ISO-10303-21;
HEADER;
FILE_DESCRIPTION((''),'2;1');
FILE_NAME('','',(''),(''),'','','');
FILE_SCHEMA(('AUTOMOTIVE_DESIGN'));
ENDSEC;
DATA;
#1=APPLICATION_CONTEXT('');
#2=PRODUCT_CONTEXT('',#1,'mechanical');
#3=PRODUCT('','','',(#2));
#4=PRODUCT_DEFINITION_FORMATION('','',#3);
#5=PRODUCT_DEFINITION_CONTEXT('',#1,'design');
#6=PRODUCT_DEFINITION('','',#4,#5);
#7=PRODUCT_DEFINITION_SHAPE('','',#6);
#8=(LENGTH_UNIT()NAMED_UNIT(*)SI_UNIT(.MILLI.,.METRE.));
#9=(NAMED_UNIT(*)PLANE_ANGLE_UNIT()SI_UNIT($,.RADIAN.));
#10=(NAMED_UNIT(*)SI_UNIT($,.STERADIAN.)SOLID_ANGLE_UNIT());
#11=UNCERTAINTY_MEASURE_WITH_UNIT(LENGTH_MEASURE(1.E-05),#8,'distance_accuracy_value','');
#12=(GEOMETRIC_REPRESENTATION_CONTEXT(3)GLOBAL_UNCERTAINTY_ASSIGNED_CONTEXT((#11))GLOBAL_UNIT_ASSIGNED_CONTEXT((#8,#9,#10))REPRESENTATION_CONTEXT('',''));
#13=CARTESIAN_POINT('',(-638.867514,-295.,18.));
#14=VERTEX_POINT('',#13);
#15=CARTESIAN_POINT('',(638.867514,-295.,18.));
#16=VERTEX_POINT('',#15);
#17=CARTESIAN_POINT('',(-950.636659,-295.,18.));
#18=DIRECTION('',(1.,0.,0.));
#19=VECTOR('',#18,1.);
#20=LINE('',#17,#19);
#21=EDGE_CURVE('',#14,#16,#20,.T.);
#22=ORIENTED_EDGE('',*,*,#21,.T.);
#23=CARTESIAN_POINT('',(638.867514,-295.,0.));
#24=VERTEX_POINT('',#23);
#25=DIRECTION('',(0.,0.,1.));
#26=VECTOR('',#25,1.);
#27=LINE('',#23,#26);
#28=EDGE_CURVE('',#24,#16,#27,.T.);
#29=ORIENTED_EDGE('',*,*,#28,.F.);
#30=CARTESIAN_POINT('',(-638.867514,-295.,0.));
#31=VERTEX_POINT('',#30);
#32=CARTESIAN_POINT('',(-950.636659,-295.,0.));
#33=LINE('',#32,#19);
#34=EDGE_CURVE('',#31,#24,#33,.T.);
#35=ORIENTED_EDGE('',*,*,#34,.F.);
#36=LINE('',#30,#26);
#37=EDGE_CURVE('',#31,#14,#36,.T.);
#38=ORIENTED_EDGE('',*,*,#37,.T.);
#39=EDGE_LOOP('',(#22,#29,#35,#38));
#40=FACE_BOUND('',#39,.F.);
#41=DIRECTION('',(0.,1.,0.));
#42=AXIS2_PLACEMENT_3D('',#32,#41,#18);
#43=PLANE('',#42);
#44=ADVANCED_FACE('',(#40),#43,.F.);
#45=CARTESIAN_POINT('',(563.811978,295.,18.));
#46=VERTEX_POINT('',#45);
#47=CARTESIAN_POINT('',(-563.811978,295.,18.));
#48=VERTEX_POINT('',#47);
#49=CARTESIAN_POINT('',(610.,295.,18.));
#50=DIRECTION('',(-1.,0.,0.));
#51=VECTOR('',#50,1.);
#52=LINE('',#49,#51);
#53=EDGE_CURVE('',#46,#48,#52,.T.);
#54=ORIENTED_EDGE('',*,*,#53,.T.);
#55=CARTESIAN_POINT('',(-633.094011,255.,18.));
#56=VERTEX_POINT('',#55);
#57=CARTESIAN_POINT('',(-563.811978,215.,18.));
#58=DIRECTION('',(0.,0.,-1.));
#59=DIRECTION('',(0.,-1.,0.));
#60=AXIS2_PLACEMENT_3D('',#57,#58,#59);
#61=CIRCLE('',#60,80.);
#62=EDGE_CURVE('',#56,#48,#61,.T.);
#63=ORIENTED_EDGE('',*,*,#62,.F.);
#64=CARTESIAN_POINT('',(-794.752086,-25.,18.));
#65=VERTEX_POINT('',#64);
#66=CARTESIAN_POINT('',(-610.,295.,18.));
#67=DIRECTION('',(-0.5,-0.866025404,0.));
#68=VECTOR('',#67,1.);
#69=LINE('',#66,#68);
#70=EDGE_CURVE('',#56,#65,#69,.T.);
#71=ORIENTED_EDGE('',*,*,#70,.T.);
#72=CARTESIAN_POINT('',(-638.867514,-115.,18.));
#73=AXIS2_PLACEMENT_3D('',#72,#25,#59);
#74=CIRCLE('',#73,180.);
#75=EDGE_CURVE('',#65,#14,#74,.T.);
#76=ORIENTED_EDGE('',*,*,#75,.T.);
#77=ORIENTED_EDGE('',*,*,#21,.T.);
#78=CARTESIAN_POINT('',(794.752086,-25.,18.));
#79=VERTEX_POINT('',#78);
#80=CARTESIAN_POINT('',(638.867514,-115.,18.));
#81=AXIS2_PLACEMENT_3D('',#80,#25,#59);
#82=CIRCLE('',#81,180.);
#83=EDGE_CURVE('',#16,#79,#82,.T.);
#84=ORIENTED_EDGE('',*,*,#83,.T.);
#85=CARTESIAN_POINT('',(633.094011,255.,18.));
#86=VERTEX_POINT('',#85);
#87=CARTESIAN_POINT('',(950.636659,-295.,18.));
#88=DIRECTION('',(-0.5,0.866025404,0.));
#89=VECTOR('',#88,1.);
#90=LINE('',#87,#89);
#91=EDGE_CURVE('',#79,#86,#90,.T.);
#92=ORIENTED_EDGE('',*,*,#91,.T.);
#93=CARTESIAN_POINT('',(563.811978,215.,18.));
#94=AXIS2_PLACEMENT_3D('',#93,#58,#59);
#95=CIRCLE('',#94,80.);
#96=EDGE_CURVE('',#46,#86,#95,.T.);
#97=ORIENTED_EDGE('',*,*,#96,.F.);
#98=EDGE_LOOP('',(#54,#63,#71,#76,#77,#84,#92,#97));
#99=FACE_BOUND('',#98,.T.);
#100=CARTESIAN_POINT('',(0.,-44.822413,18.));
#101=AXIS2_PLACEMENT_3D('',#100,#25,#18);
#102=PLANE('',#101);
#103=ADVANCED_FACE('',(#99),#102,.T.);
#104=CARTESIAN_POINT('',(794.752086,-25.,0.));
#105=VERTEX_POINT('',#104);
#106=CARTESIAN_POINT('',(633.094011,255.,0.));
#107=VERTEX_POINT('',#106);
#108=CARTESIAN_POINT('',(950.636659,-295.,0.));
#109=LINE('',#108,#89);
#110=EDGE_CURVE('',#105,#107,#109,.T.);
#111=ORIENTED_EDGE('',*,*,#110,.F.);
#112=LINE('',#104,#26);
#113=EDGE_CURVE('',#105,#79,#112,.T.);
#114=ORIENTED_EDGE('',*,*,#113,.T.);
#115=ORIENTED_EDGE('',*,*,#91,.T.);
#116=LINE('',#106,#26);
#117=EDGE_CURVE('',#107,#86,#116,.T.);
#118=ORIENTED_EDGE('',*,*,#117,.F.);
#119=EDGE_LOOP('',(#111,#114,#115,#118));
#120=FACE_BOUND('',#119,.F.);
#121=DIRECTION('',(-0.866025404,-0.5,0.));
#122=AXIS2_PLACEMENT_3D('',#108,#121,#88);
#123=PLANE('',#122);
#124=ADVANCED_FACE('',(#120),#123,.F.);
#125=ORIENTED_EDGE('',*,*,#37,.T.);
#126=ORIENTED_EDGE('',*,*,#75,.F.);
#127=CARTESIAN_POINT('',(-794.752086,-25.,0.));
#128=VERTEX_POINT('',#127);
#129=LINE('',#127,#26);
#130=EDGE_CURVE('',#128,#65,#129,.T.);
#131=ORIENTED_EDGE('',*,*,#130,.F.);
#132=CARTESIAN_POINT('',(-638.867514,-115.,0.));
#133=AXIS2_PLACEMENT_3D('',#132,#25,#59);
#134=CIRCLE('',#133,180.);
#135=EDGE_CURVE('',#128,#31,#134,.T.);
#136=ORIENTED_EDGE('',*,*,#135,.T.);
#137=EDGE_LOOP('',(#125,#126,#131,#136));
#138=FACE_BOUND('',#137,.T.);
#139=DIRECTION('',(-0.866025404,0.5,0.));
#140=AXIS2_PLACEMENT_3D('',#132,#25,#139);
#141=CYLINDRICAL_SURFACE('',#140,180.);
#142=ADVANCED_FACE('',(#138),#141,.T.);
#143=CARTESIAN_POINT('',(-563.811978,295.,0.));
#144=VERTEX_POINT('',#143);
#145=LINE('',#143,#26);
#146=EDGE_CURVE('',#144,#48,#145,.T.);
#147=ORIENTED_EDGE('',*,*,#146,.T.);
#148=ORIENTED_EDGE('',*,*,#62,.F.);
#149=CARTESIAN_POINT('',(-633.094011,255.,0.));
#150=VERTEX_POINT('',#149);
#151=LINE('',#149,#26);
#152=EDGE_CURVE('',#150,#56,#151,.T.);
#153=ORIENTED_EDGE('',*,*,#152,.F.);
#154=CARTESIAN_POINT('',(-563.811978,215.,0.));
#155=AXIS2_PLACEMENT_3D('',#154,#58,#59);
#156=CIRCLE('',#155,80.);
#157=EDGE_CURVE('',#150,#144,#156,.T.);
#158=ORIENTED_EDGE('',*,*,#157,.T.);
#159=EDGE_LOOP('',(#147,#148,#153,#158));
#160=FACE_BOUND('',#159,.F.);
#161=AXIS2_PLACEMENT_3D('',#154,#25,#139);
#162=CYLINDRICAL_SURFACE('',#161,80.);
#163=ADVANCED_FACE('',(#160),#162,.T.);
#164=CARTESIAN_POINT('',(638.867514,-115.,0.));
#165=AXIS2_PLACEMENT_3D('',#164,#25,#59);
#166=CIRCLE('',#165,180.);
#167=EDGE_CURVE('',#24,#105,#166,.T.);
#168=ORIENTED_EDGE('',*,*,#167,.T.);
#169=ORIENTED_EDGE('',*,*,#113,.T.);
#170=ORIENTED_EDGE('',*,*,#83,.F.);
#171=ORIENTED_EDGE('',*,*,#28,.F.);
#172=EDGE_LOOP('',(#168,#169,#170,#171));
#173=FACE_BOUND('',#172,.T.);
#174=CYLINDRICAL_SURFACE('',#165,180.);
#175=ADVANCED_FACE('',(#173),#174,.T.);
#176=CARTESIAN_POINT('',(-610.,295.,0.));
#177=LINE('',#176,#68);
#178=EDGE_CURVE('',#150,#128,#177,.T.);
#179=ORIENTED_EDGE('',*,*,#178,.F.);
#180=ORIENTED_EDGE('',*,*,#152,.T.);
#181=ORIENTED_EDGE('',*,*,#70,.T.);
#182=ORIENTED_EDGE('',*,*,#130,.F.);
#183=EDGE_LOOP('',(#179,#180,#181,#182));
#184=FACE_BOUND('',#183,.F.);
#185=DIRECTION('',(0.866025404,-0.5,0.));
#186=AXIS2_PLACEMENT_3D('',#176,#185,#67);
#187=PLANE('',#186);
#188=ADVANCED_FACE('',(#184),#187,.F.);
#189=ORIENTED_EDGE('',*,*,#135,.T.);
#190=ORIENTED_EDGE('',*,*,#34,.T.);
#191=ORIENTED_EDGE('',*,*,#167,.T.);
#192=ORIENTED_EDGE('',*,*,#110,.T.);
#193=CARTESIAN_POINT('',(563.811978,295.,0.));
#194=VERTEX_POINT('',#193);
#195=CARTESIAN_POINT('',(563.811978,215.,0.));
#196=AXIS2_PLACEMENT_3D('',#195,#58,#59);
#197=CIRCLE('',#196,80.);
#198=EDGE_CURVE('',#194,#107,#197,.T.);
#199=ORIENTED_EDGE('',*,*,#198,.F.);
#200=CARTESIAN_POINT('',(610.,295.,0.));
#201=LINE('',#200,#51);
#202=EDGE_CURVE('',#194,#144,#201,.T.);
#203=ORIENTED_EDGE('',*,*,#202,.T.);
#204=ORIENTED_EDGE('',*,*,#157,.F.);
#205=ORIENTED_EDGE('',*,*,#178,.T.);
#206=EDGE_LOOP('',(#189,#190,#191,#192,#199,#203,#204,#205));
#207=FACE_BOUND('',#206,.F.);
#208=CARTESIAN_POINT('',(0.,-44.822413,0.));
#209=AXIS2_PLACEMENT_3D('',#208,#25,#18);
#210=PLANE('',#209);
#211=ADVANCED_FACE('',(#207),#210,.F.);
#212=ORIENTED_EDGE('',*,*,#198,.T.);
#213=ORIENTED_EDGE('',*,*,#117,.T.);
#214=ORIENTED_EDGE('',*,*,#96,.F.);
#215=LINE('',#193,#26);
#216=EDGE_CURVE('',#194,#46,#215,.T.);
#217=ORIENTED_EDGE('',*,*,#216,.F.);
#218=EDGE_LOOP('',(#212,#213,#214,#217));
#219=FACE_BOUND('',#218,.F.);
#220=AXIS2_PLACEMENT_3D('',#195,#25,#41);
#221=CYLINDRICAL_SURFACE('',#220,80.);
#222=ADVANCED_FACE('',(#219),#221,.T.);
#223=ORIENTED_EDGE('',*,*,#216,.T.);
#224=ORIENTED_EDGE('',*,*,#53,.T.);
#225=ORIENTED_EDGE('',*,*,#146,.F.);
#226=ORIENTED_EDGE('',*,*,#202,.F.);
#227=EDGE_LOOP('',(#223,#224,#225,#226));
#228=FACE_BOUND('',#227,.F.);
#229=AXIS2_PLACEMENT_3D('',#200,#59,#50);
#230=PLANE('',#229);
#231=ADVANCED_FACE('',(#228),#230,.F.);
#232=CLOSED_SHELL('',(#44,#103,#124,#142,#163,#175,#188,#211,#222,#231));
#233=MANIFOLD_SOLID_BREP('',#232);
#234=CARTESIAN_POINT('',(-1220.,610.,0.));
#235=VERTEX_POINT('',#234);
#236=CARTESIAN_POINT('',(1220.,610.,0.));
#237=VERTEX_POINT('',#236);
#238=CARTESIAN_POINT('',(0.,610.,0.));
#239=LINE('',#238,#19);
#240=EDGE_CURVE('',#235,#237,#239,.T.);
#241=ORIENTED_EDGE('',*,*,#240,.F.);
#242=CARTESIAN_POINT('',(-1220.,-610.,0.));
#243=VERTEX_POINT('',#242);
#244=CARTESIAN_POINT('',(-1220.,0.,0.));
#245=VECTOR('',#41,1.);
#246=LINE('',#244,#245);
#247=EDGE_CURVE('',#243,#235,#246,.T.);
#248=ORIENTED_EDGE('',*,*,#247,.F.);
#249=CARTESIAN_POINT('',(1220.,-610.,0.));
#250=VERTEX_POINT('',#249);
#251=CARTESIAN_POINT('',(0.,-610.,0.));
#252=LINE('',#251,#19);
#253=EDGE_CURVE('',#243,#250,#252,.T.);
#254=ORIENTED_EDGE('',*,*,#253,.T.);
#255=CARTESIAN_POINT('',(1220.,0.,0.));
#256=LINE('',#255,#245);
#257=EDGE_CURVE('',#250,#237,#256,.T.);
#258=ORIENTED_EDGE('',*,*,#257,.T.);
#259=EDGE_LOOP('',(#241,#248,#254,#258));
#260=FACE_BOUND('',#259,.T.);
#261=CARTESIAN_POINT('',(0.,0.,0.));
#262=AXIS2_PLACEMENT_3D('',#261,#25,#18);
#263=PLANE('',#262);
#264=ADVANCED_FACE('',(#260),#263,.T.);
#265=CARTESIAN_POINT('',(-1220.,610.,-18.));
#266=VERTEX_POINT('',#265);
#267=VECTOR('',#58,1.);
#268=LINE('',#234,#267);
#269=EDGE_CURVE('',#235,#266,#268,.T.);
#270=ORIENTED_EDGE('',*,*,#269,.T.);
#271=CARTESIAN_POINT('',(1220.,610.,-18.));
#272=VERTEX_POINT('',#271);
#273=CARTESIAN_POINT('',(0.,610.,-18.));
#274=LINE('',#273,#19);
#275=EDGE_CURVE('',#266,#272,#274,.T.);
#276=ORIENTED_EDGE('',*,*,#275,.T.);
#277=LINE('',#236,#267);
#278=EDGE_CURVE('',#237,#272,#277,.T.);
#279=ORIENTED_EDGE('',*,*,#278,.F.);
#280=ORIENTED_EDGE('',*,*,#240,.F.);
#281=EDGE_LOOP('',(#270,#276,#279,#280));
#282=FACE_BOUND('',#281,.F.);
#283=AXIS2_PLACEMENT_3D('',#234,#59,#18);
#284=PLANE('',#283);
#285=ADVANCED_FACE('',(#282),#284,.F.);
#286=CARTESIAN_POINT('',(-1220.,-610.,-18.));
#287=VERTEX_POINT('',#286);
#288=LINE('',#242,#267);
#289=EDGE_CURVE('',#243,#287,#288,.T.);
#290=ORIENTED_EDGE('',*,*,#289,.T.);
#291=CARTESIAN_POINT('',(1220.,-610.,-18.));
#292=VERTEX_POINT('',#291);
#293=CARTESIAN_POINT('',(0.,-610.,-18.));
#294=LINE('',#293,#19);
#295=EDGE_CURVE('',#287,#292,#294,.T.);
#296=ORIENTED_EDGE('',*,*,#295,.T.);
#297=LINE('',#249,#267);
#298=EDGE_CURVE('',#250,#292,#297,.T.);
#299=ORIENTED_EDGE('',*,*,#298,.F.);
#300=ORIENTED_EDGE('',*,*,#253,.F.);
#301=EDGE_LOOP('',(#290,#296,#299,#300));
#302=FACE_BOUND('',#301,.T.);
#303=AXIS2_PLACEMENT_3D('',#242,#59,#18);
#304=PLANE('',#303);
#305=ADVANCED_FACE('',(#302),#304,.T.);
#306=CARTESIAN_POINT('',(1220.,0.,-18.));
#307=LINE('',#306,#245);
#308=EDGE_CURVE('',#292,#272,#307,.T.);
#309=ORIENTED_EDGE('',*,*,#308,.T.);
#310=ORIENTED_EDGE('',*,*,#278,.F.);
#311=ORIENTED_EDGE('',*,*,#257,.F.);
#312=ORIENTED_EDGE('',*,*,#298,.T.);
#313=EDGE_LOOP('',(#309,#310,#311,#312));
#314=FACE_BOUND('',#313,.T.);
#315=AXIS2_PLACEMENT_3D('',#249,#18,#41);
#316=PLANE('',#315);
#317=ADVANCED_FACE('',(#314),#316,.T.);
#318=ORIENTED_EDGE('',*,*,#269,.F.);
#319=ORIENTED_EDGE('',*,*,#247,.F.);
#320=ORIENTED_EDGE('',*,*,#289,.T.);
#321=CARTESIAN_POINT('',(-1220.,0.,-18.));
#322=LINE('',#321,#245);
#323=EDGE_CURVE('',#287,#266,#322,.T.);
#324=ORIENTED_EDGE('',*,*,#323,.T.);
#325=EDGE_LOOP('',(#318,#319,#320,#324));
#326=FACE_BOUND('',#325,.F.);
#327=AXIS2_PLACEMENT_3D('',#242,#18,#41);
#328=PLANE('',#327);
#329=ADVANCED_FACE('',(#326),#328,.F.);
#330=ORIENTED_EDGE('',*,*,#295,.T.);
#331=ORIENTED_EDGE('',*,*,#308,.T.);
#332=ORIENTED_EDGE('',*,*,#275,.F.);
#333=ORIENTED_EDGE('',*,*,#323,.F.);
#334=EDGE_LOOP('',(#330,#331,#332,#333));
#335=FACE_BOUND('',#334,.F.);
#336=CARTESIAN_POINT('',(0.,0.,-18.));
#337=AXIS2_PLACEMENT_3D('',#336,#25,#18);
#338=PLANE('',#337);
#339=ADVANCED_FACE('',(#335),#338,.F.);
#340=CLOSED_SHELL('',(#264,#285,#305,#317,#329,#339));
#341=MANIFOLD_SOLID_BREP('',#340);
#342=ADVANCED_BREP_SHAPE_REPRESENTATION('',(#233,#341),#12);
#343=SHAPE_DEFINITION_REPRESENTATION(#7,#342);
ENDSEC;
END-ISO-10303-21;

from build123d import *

# Parameters (mm, degrees)
F1_DEPTH = 18
F2_W     = 2440
F2_H     = 1220
F3_DEPTH = 18
F4_R     = 180
F5_R     = 80


with BuildPart() as f1:
    # F0 (on Top) → F1 (new body)
    with BuildSketch(Plane.XY):
        Polygon((610, 295), (-610, 295), (-950.636659, -295), (950.636659, -295), align=None)
    extrude(amount=F1_DEPTH)

    # F4
    f4_edges = [f1.edges().sort_by_distance(p)[0] for p in [
        (-950.636659, -295, 9),
        (950.636659, -295, 9),
    ]]
    fillet(f4_edges, radius=F4_R)

    # F5
    f5_edges = [f1.edges().sort_by_distance(p)[0] for p in [
        (-610, 295, 9),
        (610, 295, 9),
    ]]
    fillet(f5_edges, radius=F5_R)


with BuildPart() as f3:
    # F2 (on Top) → F3 (new body)
    with BuildSketch(Plane.XY):
        Rectangle(F2_W, F2_H)
    extrude(amount=-F3_DEPTH)


solid = Compound([f1.part, f3.part])
